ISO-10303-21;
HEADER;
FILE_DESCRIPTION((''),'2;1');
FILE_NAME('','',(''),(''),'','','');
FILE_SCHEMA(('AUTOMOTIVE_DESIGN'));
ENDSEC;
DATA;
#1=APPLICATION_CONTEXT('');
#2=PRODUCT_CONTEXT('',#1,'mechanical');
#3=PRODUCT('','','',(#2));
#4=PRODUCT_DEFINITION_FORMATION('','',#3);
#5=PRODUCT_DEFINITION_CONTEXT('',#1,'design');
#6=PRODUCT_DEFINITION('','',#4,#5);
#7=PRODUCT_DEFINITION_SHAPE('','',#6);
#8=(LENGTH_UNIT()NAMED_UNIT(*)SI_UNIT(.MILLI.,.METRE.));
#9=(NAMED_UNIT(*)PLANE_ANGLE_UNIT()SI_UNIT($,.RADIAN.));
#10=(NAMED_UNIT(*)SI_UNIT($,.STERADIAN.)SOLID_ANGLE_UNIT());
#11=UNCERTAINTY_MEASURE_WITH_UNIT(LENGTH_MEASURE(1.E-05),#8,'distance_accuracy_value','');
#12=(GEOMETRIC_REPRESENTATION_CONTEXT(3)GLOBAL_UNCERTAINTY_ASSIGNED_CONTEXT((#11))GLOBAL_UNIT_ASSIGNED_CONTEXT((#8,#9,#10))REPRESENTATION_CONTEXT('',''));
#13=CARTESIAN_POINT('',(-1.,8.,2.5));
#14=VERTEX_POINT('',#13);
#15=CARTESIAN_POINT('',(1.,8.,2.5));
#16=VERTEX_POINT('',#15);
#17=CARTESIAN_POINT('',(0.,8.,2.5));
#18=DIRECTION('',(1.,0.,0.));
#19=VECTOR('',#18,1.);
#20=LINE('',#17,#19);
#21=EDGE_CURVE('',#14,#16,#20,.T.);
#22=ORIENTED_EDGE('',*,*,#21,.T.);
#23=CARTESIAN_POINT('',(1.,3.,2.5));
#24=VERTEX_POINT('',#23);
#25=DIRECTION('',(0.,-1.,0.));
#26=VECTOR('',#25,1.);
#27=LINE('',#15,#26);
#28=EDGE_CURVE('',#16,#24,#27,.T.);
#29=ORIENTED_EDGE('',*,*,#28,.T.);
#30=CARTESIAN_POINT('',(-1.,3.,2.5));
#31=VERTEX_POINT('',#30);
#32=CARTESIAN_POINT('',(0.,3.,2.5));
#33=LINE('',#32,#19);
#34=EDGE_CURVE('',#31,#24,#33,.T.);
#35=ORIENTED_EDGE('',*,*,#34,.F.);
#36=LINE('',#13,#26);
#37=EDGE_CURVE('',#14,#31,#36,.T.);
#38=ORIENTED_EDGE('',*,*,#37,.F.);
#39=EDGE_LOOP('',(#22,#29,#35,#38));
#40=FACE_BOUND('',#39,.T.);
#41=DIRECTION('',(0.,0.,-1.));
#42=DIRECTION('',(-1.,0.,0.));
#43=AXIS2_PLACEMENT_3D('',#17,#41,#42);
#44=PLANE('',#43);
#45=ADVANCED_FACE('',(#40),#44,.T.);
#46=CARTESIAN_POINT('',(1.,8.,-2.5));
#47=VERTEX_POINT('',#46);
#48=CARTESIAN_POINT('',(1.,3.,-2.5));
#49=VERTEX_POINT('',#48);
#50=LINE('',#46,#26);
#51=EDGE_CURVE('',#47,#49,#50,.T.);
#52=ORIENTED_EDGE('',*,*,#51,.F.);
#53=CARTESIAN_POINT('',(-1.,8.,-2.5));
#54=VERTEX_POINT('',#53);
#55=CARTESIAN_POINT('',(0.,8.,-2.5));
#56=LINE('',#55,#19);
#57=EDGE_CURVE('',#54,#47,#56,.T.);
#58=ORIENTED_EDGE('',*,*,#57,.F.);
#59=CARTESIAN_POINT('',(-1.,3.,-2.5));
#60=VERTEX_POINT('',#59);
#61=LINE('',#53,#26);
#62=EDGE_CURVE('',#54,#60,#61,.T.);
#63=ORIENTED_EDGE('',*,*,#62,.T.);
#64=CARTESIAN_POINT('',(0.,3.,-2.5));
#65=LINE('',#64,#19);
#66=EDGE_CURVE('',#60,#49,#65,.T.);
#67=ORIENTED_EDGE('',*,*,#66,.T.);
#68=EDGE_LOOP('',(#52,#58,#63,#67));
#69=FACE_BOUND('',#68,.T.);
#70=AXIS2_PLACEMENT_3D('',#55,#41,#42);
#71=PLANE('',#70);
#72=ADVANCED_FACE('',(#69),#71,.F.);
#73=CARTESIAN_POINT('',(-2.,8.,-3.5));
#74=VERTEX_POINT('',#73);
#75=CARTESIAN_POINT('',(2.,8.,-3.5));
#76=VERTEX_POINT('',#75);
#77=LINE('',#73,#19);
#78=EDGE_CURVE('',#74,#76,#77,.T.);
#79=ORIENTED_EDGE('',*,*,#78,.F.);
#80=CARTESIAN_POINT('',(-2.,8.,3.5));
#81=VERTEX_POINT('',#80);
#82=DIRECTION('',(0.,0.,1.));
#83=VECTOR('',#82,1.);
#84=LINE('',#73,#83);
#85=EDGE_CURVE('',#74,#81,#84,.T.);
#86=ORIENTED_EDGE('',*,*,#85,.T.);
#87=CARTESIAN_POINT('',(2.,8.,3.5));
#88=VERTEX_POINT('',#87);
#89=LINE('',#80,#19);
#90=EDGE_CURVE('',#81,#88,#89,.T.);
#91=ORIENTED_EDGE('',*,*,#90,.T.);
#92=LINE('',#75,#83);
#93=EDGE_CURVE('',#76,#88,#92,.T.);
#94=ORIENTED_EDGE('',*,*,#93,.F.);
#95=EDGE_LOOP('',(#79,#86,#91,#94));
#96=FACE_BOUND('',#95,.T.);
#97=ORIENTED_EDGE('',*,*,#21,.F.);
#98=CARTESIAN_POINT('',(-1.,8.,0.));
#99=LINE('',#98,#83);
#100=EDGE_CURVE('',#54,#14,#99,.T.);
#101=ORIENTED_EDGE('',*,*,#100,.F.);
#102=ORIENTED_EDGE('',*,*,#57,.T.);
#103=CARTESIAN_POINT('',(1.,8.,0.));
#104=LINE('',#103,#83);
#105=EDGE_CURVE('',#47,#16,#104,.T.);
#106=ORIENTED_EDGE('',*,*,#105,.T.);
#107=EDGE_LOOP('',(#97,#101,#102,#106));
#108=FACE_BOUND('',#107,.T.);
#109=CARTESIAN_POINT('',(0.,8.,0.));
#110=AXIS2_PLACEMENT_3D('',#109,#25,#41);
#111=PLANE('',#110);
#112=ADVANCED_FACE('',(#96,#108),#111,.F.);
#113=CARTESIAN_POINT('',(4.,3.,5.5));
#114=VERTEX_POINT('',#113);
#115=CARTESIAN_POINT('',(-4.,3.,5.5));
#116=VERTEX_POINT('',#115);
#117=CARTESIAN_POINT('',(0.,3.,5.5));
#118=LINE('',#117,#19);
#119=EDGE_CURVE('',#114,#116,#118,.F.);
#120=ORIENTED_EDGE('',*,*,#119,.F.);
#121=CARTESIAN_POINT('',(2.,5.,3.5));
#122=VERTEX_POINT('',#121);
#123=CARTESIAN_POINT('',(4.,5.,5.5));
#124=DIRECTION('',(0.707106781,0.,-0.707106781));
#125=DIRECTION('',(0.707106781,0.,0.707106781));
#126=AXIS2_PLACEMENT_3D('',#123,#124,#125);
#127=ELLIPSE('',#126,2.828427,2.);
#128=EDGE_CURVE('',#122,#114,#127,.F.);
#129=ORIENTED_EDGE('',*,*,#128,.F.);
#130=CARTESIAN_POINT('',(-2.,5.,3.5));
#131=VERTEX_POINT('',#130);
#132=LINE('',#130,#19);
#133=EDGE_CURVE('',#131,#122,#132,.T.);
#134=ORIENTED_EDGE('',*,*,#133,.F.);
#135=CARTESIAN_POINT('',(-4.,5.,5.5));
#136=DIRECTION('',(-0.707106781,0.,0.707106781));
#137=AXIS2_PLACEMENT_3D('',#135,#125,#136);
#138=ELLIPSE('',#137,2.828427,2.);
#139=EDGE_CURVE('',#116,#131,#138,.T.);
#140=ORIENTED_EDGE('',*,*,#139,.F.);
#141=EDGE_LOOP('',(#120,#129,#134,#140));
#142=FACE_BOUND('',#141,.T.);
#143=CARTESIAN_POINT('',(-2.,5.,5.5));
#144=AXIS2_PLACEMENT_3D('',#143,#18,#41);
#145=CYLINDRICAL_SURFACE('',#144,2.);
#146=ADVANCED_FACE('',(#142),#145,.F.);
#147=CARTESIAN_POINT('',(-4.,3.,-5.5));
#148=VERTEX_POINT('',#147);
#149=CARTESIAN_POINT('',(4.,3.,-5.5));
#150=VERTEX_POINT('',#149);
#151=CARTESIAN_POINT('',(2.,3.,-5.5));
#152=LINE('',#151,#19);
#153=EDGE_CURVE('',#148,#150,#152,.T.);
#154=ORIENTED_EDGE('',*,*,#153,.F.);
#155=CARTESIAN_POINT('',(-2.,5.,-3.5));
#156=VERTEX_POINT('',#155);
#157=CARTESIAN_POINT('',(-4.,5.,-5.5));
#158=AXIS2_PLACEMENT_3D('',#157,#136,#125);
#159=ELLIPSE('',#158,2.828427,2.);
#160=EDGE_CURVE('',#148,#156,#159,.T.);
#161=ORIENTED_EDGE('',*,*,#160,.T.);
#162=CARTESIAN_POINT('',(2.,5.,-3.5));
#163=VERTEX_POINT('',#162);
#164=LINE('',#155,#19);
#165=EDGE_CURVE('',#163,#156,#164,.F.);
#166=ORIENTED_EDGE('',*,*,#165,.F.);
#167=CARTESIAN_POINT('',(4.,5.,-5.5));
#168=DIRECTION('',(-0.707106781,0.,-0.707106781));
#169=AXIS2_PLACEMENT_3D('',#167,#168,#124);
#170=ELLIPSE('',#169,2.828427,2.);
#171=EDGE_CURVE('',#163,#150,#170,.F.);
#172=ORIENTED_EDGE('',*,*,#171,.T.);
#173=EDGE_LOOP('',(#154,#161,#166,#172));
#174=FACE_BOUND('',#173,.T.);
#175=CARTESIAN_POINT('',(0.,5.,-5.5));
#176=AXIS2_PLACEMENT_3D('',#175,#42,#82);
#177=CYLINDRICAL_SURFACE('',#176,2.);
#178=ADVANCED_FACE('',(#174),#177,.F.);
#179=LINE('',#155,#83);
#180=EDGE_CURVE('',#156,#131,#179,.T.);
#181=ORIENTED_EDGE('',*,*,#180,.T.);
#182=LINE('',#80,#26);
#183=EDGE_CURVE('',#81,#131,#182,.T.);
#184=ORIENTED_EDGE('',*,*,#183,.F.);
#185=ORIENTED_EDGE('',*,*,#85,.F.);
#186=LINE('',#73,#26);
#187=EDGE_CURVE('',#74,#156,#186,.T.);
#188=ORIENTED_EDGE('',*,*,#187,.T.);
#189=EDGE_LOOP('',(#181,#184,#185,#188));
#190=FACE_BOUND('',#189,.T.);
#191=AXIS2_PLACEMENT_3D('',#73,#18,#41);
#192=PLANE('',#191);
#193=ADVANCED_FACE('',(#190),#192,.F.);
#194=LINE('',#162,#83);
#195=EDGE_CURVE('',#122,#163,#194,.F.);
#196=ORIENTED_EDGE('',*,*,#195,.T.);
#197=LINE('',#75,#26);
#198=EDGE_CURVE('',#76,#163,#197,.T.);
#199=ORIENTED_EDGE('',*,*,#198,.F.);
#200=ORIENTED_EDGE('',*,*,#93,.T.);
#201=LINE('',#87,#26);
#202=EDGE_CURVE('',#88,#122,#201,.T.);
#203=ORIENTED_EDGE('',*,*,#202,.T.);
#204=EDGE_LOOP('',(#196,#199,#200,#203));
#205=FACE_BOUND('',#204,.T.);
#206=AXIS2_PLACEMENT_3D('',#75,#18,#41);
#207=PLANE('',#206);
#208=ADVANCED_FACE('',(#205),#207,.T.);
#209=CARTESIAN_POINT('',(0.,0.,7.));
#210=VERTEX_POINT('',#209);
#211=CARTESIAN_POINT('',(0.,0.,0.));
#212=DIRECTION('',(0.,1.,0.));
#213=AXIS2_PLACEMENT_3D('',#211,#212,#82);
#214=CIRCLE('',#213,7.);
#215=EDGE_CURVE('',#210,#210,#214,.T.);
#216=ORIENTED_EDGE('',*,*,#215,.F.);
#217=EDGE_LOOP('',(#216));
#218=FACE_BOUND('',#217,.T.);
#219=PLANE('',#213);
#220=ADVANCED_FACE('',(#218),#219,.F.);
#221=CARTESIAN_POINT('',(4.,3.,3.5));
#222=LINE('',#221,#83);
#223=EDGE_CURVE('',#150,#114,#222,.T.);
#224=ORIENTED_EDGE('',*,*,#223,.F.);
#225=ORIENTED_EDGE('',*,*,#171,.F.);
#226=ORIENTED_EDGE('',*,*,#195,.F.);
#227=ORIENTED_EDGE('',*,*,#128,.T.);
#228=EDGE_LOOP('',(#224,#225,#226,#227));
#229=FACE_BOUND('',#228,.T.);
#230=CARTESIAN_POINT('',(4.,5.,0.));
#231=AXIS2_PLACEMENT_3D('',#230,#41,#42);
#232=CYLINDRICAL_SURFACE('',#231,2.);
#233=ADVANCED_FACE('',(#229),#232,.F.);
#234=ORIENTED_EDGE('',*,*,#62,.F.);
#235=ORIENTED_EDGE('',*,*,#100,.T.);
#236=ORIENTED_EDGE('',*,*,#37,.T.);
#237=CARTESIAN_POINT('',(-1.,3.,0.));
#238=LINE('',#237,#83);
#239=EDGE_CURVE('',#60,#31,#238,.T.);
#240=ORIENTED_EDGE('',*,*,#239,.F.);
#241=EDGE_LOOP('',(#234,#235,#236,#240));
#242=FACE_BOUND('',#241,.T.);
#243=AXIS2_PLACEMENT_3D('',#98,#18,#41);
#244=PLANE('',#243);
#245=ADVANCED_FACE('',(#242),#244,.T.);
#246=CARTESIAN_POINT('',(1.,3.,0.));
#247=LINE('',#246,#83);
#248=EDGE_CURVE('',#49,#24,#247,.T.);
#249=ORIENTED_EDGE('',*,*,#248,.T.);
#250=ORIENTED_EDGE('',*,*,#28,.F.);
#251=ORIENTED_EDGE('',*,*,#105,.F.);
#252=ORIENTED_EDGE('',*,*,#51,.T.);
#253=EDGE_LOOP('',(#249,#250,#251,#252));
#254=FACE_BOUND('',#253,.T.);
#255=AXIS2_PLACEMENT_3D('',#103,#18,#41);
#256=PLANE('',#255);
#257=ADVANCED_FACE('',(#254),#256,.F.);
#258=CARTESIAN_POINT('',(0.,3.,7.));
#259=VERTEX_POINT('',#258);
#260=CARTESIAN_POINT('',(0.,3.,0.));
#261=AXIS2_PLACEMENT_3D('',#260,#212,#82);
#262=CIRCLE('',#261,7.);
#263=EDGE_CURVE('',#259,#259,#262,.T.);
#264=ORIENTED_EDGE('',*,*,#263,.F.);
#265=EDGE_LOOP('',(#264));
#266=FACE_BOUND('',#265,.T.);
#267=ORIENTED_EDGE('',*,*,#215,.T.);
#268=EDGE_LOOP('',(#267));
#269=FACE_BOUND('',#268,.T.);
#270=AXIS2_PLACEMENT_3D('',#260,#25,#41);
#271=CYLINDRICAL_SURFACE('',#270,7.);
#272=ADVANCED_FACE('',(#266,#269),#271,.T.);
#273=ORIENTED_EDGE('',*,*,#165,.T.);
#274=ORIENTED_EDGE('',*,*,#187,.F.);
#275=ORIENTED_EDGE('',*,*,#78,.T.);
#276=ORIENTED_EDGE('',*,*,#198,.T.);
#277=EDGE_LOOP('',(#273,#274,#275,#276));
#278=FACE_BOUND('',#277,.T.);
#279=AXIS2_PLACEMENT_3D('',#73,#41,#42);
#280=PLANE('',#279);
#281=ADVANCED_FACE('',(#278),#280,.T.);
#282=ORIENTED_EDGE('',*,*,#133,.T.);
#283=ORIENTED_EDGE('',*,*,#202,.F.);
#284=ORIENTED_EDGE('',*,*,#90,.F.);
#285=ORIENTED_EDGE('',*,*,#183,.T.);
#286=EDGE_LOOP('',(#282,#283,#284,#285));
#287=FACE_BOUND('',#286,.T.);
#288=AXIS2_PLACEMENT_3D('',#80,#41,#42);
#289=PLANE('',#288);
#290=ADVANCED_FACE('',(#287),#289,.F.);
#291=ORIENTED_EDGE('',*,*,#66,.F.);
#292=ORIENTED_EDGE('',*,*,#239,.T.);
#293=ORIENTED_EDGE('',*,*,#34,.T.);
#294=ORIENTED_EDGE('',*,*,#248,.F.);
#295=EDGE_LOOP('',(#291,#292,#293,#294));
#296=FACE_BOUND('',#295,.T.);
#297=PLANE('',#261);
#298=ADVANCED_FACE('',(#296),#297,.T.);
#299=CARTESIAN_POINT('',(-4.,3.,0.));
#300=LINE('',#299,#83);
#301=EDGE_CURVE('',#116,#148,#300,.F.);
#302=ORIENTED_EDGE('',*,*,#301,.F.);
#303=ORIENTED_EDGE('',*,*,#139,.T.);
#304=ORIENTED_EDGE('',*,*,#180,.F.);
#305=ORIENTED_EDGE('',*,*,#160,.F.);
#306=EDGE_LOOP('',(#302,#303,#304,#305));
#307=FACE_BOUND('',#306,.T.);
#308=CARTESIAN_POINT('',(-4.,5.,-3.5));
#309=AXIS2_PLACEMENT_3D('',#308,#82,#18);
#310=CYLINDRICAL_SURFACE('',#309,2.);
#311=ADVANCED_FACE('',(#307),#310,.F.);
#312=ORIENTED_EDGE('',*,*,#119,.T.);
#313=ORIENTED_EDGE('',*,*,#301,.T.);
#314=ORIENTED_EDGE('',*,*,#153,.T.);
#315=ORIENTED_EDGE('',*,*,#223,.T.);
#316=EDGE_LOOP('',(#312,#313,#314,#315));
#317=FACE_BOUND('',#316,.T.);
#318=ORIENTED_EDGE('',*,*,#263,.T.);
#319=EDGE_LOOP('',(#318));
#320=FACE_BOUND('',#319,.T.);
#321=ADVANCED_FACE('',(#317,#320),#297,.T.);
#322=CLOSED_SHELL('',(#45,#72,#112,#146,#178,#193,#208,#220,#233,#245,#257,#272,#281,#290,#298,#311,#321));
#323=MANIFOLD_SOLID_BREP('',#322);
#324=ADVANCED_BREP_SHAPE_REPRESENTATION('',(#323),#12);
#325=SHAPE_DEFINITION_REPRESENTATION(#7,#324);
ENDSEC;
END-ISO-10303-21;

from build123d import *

# Parameters (mm, degrees)
SKETCH1_R           = 7
BOSS_EXTRUDE1_DEPTH = 3
SKETCH2_W           = 4
SKETCH2_H           = 7
SKETCH2_W_2         = 2
SKETCH2_H_2         = 5
BOSS_EXTRUDE2_DEPTH = 5
FILLET1_R           = 2


with BuildPart() as part:
    # Sketch1 → Boss-Extrude1 (new body)
    with BuildSketch(Plane(origin=(0, 0, 0), x_dir=(1, 0, 0), z_dir=(0, 1, 0))):
        Circle(SKETCH1_R)
    extrude(amount=BOSS_EXTRUDE1_DEPTH)

    # Sketch2 → Boss-Extrude2 (add)
    with BuildSketch(Plane(origin=(0, 3, 0), x_dir=(1, 0, 0), z_dir=(0, 1, 0))):
        Rectangle(SKETCH2_W, SKETCH2_H)
        Rectangle(SKETCH2_W_2, SKETCH2_H_2, mode=Mode.SUBTRACT)
    extrude(amount=BOSS_EXTRUDE2_DEPTH)

    # Fillet1
    fillet1_edges = [part.edges().sort_by_distance(p)[0] for p in [
        (-2, 3, 0),
        (0, 3, -3.5),
        (2, 3, 0),
        (0, 3, 3.5),
    ]]
    fillet(fillet1_edges, radius=FILLET1_R)


solid = part.part
